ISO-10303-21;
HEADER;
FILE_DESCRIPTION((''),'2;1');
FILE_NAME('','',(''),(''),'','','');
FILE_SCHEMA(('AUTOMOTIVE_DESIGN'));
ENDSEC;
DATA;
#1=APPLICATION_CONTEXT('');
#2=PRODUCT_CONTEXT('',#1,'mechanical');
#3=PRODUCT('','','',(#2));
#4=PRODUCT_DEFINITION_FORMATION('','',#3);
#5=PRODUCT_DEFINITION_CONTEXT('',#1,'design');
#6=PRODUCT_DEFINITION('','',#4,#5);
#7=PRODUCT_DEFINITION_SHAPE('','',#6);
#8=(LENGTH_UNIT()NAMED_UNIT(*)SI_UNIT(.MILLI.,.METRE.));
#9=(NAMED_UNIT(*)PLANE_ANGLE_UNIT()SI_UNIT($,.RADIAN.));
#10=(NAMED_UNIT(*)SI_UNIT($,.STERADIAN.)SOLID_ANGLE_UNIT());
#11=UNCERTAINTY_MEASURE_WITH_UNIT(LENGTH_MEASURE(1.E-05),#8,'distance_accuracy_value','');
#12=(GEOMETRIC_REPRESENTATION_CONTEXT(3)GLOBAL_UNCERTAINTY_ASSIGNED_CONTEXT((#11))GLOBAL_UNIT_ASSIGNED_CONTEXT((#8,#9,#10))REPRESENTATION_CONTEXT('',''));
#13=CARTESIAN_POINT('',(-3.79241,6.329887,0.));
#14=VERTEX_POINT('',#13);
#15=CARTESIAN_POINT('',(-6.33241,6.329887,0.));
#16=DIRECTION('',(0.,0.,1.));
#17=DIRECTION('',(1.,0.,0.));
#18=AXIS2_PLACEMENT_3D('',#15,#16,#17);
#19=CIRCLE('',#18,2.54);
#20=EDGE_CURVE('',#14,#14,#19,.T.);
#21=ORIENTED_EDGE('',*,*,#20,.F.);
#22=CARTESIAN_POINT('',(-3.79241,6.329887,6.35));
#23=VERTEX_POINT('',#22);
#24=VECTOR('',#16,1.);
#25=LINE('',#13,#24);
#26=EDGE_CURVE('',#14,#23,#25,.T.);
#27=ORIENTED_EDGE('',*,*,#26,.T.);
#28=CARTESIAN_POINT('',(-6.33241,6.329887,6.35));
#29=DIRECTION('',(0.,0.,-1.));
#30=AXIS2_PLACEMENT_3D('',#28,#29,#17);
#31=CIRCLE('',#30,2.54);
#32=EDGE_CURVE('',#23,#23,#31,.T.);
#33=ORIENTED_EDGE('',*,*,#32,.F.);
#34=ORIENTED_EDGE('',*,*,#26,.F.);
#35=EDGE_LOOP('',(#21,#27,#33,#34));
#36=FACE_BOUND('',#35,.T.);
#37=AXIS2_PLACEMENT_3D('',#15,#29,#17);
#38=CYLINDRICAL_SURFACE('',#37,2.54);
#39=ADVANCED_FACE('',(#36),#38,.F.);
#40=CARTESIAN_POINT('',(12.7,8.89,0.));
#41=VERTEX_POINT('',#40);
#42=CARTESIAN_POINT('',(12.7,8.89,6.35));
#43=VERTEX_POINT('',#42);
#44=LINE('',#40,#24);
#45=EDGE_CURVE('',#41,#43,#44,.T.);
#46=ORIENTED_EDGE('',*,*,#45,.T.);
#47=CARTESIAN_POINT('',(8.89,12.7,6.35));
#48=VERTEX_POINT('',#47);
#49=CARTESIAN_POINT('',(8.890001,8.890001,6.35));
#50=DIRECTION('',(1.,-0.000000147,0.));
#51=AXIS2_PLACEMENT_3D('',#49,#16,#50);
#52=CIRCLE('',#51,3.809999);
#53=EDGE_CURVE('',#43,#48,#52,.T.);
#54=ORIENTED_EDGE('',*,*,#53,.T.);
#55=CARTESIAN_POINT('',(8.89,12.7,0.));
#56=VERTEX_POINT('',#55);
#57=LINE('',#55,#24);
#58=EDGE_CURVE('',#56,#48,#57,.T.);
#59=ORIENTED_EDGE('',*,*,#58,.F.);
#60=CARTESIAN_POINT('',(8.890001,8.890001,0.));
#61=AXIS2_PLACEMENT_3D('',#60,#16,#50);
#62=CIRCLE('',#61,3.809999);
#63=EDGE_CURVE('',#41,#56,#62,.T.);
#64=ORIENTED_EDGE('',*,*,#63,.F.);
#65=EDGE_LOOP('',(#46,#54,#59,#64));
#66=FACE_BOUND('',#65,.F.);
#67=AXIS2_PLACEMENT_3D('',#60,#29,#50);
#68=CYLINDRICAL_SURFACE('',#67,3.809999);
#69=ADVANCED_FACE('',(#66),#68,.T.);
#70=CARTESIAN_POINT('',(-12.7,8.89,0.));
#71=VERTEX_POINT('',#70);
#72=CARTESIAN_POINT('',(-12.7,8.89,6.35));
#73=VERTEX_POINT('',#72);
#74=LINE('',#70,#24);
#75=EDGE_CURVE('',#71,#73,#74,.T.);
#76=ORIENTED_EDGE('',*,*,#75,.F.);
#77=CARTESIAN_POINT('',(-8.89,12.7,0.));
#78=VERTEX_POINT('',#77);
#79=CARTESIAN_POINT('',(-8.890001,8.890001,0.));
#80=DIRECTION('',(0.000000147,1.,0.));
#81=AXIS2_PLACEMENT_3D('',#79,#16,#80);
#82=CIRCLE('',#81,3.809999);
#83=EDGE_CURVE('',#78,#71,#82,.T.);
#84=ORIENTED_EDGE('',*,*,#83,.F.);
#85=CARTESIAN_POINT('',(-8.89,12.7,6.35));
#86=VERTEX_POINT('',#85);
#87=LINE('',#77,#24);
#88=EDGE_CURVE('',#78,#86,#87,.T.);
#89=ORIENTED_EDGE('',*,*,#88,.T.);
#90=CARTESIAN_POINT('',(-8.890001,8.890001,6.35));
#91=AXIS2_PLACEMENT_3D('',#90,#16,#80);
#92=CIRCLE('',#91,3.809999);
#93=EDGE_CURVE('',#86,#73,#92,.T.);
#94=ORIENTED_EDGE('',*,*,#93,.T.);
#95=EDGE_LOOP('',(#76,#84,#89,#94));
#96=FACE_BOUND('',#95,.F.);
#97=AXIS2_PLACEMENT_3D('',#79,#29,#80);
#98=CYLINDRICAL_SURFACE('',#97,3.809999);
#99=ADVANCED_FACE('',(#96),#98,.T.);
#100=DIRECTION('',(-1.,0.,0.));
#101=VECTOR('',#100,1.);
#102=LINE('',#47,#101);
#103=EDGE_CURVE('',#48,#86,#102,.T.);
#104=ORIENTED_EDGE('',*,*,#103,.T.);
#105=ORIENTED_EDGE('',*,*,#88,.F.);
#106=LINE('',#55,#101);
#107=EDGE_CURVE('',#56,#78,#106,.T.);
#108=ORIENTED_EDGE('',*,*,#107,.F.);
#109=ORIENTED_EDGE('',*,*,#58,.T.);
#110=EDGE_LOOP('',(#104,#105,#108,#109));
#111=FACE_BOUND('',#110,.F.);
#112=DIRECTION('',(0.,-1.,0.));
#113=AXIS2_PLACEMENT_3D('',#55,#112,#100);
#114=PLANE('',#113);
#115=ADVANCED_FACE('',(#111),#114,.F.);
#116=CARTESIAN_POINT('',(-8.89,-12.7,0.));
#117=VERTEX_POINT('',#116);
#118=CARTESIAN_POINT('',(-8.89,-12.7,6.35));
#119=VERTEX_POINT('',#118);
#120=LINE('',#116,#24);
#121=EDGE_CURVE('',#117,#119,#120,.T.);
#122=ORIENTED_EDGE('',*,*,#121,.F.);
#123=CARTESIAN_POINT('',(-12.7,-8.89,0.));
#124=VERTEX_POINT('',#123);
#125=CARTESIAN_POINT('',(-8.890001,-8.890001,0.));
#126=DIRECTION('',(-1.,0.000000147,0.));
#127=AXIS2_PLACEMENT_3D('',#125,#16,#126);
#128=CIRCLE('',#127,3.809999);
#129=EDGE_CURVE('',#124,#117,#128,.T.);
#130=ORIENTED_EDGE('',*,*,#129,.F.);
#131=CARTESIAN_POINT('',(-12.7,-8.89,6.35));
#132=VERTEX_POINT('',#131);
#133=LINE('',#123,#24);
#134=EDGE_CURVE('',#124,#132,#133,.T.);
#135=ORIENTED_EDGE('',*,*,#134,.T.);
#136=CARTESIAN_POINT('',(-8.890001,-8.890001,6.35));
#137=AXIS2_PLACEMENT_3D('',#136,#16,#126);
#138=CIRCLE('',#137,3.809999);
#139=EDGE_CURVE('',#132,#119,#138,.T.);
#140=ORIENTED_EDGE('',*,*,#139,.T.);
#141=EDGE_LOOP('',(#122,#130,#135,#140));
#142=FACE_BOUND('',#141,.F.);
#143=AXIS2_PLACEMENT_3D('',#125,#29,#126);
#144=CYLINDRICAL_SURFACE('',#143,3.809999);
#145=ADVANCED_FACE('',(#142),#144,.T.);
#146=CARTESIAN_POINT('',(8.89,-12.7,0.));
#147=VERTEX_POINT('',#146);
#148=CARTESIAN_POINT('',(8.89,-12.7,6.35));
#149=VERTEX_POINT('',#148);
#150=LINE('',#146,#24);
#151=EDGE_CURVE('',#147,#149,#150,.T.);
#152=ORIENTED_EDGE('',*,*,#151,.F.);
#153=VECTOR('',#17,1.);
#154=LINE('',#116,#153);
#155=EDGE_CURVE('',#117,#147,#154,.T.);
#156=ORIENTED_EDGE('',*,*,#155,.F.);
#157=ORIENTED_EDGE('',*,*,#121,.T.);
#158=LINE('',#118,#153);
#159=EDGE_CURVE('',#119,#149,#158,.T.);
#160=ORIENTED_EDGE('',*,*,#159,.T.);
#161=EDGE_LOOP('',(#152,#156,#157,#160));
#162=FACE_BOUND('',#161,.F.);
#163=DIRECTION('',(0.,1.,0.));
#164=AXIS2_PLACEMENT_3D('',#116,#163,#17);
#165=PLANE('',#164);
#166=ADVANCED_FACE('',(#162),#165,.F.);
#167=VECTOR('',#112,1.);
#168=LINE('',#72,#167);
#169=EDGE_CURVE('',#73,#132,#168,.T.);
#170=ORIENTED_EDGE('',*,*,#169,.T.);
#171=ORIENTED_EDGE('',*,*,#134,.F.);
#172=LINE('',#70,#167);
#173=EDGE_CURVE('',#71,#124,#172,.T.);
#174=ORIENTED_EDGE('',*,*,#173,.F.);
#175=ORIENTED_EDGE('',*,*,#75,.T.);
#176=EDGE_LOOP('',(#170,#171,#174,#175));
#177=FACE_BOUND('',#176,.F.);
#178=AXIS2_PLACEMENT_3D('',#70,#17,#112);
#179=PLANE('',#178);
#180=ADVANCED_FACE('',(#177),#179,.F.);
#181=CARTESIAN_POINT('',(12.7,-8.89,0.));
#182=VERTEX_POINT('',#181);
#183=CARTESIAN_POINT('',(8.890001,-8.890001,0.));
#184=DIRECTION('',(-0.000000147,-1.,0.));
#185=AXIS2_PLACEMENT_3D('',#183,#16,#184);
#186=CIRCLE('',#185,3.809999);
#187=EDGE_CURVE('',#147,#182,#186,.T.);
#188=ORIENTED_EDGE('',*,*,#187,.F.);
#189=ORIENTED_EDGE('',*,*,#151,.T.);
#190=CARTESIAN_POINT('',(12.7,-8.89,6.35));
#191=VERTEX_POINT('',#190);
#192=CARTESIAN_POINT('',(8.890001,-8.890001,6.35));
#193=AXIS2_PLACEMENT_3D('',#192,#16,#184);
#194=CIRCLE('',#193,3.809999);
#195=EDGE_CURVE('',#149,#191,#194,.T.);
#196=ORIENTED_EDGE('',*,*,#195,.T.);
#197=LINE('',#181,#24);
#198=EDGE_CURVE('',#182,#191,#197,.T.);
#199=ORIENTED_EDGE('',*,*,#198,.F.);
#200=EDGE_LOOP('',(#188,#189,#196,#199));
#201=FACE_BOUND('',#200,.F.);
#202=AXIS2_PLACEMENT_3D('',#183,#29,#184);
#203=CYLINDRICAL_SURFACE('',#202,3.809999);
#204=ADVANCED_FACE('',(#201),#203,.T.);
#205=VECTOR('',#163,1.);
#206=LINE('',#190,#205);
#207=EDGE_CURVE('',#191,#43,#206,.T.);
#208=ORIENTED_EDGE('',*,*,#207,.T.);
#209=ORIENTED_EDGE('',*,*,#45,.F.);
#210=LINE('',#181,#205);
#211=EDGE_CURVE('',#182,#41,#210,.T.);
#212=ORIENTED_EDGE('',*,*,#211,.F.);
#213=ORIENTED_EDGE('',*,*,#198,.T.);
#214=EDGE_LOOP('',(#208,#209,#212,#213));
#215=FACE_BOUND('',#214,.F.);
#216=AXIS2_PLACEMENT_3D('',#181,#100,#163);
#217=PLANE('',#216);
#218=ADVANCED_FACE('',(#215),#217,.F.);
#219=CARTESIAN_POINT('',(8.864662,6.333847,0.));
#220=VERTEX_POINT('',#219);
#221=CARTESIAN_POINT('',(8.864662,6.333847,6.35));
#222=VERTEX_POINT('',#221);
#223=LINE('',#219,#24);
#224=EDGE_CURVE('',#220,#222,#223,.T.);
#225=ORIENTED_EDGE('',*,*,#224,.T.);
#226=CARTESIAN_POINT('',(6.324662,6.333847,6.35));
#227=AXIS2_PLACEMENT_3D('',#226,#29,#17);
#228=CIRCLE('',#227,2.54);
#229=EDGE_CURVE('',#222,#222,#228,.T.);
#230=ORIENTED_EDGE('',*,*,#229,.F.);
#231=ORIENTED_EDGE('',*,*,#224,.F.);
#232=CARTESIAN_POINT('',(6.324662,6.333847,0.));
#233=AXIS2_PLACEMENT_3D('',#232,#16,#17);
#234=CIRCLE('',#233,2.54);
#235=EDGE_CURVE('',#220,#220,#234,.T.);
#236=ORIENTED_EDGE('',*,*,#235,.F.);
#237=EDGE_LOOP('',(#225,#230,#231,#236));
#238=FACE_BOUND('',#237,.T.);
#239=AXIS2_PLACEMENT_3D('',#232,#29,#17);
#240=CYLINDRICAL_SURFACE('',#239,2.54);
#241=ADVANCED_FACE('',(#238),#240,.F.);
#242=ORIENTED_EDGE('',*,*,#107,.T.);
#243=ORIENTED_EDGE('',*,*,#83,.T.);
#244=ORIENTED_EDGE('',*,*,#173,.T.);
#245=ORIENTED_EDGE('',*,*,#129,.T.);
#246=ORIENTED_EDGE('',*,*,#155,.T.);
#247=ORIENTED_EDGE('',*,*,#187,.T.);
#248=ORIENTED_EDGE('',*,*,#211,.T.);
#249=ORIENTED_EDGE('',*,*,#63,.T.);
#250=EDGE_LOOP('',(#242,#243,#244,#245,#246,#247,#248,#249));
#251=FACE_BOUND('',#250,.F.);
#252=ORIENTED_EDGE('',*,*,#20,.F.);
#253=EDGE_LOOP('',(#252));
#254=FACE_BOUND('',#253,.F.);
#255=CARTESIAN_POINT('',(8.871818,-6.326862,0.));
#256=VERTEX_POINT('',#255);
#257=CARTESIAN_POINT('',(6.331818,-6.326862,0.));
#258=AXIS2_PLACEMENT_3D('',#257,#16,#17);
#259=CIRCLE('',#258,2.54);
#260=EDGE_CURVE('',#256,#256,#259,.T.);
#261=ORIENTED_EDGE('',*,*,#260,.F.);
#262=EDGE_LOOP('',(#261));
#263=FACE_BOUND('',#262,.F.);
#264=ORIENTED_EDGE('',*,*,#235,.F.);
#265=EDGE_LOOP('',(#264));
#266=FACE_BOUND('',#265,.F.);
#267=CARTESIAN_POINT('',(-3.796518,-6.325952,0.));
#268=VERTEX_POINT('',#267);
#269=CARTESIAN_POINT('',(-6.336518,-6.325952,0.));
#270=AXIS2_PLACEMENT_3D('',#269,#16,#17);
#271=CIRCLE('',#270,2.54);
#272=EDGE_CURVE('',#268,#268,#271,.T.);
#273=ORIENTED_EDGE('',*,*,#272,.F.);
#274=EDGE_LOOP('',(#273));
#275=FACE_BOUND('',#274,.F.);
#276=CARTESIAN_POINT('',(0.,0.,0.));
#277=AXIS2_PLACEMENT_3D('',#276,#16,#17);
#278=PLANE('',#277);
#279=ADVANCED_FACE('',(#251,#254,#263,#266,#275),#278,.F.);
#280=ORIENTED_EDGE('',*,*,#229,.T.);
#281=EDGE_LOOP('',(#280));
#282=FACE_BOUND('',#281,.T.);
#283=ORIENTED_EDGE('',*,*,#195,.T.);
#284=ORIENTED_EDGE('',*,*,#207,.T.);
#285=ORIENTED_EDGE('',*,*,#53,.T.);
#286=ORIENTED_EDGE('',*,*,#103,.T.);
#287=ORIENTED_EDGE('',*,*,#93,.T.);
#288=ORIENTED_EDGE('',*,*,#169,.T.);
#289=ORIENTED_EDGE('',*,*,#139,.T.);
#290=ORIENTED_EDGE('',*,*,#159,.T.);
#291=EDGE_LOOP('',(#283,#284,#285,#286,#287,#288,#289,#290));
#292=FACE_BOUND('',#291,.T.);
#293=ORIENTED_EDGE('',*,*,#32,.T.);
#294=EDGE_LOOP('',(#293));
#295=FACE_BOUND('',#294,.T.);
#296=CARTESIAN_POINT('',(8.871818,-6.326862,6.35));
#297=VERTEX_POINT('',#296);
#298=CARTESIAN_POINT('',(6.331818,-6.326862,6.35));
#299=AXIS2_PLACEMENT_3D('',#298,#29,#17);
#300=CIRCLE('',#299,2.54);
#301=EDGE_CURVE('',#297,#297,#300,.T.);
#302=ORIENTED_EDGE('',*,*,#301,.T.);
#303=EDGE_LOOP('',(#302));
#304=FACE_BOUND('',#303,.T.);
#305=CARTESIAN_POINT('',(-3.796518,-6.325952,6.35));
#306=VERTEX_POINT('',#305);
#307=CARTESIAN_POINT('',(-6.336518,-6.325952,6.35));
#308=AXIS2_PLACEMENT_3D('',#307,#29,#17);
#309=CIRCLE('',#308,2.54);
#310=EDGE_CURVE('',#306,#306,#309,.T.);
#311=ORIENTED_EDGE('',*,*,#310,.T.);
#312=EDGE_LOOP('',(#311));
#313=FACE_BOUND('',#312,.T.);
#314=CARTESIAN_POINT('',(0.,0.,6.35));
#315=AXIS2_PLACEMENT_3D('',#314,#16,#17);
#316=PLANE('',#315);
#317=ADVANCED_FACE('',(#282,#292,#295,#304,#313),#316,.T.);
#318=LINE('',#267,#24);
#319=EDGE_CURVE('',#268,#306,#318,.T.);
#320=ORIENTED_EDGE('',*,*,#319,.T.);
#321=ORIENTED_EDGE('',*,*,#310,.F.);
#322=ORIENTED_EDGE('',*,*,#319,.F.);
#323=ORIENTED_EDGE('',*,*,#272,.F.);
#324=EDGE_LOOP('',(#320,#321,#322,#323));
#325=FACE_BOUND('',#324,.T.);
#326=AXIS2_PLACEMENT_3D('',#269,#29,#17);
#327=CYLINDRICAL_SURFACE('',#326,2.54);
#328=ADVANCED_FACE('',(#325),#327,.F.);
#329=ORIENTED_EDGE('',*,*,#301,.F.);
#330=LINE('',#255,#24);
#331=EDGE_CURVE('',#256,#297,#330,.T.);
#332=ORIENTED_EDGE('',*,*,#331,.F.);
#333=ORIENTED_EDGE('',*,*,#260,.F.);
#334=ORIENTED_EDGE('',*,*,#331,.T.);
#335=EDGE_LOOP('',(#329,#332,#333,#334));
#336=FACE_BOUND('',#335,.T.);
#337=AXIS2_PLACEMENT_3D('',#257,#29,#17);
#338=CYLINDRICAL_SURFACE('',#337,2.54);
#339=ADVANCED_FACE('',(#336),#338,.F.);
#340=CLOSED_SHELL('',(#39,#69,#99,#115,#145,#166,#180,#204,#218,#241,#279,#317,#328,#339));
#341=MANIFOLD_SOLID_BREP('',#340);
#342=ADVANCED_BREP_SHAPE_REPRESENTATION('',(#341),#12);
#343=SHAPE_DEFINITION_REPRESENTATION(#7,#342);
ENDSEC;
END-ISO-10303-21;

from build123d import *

# Parameters (mm, degrees)
F1_DEPTH      = 6.35
F2_R          = 2.54
F3_DEPTH      = 25.4
F3_DEPTH_BACK = 25.4


with BuildPart() as f1:
    # F0 (on Top) → F1 (new body)
    with BuildSketch(Plane.XY):
        with BuildLine():
            Line((-8.89, -12.7), (8.89, -12.7))
            ThreePointArc((8.89, -12.7), (11.584077, -11.584077), (12.7, -8.89))
            Line((12.7, -8.89), (12.7, 8.89))
            ThreePointArc((12.7, 8.89), (11.584077, 11.584077), (8.89, 12.7))
            Line((8.89, 12.7), (-8.89, 12.7))
            ThreePointArc((-8.89, 12.7), (-11.584077, 11.584077), (-12.7, 8.89))
            Line((-12.7, 8.89), (-12.7, -8.89))
            ThreePointArc((-12.7, -8.89), (-11.584077, -11.584077), (-8.89, -12.7))
        make_face()
    extrude(amount=F1_DEPTH)

    # F2 (on Top) → F3 (cut, two sides)
    with BuildSketch(Plane.XY) as f3_sk:
        with Locations((-6.336518, -6.325952)):
            Circle(F2_R)
        with Locations((6.331818, -6.326862)):
            Circle(F2_R)
        with Locations((6.324662, 6.333847)):
            Circle(F2_R)
        with Locations((-6.33241, 6.329887)):
            Circle(F2_R)
    extrude(amount=F3_DEPTH, mode=Mode.SUBTRACT)
    extrude(f3_sk.sketch, amount=-F3_DEPTH_BACK, mode=Mode.SUBTRACT)


solid = f1.part
